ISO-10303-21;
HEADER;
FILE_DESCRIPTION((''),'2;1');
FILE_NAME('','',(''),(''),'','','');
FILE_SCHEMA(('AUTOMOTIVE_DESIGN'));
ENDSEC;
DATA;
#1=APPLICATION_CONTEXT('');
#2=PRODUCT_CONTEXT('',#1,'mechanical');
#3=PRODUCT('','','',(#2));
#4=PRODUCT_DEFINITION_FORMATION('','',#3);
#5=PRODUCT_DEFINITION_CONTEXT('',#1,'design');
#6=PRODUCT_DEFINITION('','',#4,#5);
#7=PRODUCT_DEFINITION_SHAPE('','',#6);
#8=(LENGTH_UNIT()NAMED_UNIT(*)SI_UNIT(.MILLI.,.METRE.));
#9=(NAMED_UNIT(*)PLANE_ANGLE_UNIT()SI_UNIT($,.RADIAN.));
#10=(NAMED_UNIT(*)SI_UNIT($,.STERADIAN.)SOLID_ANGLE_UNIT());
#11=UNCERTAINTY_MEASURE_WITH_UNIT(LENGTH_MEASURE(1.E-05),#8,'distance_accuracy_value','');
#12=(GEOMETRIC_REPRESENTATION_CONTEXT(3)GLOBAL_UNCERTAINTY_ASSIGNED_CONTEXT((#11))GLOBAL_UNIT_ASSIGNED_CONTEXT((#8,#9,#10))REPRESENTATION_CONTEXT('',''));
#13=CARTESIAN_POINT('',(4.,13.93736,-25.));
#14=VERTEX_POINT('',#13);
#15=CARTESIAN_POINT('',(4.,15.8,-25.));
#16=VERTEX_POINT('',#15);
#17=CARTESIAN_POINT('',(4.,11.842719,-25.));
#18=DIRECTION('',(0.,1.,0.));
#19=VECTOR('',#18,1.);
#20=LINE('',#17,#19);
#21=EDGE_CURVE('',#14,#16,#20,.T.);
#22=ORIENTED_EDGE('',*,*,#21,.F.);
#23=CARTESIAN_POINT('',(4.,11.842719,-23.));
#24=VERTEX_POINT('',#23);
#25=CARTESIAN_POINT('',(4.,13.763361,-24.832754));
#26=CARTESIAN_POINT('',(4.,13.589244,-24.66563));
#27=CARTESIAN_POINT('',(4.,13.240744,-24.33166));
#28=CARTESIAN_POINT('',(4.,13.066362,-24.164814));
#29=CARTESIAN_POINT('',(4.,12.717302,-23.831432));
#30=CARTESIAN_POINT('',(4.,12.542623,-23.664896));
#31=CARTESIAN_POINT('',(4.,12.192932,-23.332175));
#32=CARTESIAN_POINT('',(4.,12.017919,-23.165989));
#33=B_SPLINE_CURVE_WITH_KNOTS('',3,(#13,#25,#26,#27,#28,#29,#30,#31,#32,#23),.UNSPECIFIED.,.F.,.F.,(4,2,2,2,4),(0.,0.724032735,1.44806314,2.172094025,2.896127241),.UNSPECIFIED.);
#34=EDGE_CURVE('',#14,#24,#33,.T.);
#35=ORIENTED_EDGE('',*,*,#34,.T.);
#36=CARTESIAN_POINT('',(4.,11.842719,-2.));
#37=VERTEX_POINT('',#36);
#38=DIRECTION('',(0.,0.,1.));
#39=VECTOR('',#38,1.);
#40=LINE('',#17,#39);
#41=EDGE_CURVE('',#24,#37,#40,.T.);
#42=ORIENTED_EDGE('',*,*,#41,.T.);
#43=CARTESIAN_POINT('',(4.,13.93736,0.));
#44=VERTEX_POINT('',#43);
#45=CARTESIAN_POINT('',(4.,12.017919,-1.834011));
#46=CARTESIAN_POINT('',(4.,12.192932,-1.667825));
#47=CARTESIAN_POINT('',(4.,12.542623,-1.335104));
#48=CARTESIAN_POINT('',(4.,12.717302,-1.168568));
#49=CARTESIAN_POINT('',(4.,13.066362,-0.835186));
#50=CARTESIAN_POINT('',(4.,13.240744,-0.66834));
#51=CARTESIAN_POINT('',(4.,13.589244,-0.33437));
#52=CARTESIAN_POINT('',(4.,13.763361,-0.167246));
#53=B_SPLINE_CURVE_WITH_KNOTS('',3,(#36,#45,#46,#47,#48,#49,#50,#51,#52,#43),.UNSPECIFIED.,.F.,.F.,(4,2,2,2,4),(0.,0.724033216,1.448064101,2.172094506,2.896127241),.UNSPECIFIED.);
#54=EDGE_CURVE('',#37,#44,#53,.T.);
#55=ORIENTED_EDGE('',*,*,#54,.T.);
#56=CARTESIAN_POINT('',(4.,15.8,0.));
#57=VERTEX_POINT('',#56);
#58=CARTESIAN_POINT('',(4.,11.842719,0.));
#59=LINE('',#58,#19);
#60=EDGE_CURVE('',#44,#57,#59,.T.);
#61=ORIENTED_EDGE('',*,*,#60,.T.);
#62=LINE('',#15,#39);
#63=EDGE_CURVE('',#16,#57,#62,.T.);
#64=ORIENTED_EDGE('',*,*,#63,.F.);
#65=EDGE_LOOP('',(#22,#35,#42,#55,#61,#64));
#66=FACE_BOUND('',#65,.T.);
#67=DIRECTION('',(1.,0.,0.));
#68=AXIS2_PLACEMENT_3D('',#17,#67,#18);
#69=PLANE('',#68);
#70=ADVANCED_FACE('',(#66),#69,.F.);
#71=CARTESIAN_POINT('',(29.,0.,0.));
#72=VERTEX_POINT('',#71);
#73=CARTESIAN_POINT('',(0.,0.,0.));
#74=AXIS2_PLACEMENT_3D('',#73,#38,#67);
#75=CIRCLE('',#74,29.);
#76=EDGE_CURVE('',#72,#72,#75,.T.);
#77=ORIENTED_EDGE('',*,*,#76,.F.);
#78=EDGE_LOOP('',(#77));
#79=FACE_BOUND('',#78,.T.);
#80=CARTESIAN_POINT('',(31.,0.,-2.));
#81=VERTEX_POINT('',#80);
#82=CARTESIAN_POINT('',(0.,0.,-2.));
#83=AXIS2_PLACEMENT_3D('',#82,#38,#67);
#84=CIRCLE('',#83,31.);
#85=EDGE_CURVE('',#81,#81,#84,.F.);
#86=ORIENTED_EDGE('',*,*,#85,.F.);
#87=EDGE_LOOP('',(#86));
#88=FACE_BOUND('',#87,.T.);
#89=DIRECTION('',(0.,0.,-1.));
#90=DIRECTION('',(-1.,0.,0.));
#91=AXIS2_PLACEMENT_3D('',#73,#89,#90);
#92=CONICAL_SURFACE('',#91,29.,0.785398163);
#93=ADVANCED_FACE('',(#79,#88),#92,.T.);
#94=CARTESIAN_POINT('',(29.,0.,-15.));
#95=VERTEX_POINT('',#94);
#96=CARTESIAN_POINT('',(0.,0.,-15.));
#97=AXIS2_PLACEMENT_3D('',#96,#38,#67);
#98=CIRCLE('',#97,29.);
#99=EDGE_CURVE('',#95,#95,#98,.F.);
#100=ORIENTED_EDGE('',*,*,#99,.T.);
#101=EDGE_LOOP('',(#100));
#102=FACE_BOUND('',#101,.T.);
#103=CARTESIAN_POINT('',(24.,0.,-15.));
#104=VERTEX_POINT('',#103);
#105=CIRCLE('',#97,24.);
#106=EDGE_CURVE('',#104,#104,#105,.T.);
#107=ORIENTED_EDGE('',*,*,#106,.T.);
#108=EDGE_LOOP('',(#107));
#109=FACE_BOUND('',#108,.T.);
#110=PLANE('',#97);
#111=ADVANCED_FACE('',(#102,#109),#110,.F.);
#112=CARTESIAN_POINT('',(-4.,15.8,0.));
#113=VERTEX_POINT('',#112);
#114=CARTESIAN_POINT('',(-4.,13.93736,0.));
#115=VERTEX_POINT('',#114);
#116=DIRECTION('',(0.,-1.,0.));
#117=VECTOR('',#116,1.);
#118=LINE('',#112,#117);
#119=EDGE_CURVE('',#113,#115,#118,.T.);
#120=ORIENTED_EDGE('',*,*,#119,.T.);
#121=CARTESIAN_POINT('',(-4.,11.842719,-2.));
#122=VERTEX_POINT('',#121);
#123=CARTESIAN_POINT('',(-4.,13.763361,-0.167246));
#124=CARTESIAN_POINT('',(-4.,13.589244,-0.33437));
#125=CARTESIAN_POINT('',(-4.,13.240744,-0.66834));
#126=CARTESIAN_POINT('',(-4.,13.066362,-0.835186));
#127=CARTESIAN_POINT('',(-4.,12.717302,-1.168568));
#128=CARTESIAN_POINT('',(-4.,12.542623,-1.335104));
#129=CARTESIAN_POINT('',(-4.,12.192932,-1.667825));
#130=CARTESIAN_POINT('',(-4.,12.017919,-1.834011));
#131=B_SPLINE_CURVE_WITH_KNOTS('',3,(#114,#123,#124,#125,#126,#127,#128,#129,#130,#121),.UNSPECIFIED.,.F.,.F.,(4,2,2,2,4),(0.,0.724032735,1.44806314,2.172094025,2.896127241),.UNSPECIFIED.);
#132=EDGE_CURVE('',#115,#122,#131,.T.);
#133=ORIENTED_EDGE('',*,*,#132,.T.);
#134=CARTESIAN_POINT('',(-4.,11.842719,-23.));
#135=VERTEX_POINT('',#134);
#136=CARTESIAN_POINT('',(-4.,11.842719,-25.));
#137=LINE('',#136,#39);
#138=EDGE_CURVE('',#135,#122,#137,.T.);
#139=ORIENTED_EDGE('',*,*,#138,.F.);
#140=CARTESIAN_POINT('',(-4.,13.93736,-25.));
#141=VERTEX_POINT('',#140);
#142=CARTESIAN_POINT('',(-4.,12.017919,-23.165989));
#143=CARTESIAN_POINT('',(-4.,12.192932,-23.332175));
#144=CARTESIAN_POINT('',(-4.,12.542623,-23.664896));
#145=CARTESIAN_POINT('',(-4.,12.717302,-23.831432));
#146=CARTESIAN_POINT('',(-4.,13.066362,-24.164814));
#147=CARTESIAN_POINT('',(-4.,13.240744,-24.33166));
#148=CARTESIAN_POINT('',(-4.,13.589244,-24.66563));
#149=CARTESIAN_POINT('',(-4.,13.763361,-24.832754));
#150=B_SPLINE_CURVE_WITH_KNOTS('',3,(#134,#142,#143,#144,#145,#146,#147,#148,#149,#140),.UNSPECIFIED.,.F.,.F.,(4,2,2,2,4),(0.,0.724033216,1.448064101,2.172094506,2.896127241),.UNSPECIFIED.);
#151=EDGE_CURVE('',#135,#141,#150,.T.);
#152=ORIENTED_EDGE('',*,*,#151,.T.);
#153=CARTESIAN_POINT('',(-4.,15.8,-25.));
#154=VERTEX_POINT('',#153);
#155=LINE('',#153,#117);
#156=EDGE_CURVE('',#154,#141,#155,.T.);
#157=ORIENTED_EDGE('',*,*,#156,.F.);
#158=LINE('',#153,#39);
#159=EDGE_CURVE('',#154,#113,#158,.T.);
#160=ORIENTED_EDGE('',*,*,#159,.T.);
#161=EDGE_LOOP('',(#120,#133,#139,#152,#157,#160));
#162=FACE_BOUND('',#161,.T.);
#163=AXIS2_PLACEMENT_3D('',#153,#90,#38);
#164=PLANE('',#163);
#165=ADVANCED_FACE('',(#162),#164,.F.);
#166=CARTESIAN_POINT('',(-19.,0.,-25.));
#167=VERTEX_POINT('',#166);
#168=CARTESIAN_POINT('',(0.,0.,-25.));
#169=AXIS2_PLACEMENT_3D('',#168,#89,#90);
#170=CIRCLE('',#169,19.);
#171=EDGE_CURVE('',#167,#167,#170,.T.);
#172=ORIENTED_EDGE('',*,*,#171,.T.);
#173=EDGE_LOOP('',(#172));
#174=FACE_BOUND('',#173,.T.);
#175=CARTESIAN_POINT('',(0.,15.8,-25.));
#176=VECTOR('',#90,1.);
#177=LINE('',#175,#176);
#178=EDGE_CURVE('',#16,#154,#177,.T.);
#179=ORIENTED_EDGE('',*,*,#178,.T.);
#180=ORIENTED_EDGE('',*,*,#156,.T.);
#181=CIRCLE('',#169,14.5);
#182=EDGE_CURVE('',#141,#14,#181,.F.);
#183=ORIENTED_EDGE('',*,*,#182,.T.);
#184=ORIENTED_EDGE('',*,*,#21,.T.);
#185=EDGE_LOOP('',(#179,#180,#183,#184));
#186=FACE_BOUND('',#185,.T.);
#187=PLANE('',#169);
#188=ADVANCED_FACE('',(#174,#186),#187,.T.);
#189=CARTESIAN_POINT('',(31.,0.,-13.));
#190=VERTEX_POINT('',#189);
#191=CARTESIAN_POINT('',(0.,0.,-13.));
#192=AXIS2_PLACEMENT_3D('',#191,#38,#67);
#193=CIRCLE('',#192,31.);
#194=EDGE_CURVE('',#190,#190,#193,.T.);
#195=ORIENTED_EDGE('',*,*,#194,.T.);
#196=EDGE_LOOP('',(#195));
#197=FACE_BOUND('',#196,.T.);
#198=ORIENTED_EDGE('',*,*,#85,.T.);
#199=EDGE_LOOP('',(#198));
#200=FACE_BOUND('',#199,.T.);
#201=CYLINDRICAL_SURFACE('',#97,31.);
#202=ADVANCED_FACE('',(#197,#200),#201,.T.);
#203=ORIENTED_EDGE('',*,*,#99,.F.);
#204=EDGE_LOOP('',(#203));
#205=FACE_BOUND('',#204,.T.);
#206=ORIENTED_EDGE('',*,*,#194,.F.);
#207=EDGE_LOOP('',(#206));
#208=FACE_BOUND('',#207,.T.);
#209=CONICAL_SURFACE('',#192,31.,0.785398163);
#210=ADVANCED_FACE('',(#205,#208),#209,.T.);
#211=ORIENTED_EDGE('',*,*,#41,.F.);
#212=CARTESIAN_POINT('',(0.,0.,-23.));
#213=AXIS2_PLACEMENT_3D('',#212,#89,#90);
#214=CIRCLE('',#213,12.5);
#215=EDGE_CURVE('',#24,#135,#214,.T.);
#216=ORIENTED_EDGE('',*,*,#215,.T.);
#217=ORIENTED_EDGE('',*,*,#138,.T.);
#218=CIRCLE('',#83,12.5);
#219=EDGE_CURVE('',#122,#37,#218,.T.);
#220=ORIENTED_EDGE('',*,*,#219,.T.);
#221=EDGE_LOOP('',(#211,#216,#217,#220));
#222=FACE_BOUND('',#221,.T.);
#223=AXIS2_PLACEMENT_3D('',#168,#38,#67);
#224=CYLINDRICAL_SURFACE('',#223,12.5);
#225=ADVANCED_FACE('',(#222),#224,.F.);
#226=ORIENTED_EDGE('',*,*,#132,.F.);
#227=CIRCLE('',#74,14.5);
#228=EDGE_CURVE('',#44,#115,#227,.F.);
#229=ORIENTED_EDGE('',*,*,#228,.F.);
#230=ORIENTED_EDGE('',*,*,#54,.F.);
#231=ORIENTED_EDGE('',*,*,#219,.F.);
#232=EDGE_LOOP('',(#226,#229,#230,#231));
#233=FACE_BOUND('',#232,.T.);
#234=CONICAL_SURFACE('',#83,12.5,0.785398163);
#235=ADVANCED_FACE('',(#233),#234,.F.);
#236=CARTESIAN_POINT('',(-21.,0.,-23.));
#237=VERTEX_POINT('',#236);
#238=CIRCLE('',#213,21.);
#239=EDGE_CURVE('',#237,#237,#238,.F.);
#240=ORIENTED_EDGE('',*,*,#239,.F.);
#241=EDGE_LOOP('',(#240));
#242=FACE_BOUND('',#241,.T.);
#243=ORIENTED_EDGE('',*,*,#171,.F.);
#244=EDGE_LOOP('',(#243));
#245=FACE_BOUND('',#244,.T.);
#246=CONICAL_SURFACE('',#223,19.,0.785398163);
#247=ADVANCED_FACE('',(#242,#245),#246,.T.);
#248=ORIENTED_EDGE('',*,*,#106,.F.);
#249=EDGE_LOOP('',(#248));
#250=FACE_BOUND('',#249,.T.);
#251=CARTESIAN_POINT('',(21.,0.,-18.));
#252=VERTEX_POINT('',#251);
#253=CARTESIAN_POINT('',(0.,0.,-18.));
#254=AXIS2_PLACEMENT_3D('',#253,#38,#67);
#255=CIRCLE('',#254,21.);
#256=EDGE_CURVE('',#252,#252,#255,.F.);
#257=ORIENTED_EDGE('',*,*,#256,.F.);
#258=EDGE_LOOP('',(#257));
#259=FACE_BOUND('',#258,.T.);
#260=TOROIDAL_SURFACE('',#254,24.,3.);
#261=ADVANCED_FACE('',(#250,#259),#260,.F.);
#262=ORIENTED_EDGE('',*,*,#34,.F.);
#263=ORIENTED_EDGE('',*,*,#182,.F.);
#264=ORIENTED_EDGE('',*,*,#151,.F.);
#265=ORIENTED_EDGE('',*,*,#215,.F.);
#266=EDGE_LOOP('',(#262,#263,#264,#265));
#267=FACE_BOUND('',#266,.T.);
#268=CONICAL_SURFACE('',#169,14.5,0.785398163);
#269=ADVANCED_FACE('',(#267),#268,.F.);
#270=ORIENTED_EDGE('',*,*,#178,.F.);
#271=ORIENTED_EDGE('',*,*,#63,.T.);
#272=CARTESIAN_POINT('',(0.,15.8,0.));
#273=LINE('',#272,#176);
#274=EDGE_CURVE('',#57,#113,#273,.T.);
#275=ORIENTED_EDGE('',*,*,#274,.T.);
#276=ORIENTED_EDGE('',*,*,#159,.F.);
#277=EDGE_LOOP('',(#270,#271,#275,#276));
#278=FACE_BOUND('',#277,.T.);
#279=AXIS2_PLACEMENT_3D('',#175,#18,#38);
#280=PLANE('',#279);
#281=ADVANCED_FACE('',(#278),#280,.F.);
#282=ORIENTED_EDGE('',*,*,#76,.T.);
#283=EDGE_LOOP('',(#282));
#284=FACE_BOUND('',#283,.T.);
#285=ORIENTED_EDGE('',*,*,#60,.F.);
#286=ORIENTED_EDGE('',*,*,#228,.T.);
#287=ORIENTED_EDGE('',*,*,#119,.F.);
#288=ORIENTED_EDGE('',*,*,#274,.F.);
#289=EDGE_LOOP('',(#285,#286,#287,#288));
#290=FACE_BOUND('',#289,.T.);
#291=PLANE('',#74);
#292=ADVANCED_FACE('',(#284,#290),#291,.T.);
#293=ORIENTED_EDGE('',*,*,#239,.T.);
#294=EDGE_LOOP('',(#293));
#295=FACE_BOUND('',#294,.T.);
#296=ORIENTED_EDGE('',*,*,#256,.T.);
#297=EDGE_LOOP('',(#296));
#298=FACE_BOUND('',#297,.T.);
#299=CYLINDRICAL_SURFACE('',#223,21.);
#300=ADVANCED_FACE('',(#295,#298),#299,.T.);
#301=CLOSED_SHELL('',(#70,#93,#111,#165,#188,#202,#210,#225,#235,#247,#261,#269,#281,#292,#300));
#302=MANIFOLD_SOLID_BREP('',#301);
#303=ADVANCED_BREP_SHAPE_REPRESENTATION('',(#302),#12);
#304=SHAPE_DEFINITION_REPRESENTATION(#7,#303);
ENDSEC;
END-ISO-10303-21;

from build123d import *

# Parameters (mm, degrees)
SKETCH_1_R          = 31
EXTRUDE_1_DEPTH     = 15
SKETCH_2_R          = 21
EXTRUDE_2_DEPTH     = 10
SKETCH_3_R          = 12.5
CUT_EXTRUDE_1_DEPTH = 51.467811524
CUT_EXTRUDE_3_DEPTH = 51.467811524
CHAMFER_1_SIZE      = 2
CHAMFER_2_SIZE      = 2
CHAMFER_3_SIZE      = 2
CHAMFER_4_SIZE      = 2
CHAMFER_5_SIZE      = 2
FILLET_1_R          = 3


with BuildPart() as part:
    # 草图1 → 凸台-拉伸1 (new body)
    with BuildSketch(Plane.XY):
        Circle(SKETCH_1_R)
    extrude(amount=-EXTRUDE_1_DEPTH)

    # 草图2 → 凸台-拉伸2 (add)
    with BuildSketch(Plane(origin=(0, 0, -15), x_dir=(-1, 0, 0), z_dir=(0, 0, -1))):
        Circle(SKETCH_2_R)
    extrude(amount=EXTRUDE_2_DEPTH)

    # 草图3 → 切除-拉伸1 (cut, through all)
    with BuildSketch(Plane.XY):
        Circle(SKETCH_3_R)
    extrude(amount=-CUT_EXTRUDE_1_DEPTH, mode=Mode.SUBTRACT)

    # 草图4 → 切除-拉伸3 (cut, through all)
    with BuildSketch(Plane.XY):
        with BuildLine():
            Line((0, 15.8), (4, 15.8))
            Line((4, 15.8), (4, 11.842719282))
            ThreePointArc((4, 11.842719282), (0, 12.5), (-4, 11.842719282))
            Line((-4, 11.842719282), (-4, 15.8))
            Line((-4, 15.8), (0, 15.8))
        make_face()
    extrude(amount=-CUT_EXTRUDE_3_DEPTH, mode=Mode.SUBTRACT)

    # 倒角1
    chamfer_1_edges = [part.edges().sort_by_distance(p)[0] for p in [
        (-31, 0, 0),
    ]]
    chamfer(chamfer_1_edges, length=CHAMFER_1_SIZE)

    # 倒角2
    chamfer_2_edges = [part.edges().sort_by_distance(p)[0] for p in [
        (-31, 0, -15),
    ]]
    chamfer(chamfer_2_edges, length=CHAMFER_2_SIZE)

    # 倒角3
    chamfer_3_edges = [part.edges().sort_by_distance(p)[0] for p in [
        (0, -12.5, 0),
    ]]
    chamfer(chamfer_3_edges, length=CHAMFER_3_SIZE)

    # 倒角4
    chamfer_4_edges = [part.edges().sort_by_distance(p)[0] for p in [
        (0, -12.5, -25),
    ]]
    chamfer(chamfer_4_edges, length=CHAMFER_4_SIZE)

    # 倒角5
    chamfer_5_edges = [part.edges().sort_by_distance(p)[0] for p in [
        (21, 0, -25),
    ]]
    chamfer(chamfer_5_edges, length=CHAMFER_5_SIZE)

    # 圆角1
    fillet_1_edges = [part.edges().sort_by_distance(p)[0] for p in [
        (21, 0, -15),
    ]]
    fillet(fillet_1_edges, radius=FILLET_1_R)


solid = part.part
